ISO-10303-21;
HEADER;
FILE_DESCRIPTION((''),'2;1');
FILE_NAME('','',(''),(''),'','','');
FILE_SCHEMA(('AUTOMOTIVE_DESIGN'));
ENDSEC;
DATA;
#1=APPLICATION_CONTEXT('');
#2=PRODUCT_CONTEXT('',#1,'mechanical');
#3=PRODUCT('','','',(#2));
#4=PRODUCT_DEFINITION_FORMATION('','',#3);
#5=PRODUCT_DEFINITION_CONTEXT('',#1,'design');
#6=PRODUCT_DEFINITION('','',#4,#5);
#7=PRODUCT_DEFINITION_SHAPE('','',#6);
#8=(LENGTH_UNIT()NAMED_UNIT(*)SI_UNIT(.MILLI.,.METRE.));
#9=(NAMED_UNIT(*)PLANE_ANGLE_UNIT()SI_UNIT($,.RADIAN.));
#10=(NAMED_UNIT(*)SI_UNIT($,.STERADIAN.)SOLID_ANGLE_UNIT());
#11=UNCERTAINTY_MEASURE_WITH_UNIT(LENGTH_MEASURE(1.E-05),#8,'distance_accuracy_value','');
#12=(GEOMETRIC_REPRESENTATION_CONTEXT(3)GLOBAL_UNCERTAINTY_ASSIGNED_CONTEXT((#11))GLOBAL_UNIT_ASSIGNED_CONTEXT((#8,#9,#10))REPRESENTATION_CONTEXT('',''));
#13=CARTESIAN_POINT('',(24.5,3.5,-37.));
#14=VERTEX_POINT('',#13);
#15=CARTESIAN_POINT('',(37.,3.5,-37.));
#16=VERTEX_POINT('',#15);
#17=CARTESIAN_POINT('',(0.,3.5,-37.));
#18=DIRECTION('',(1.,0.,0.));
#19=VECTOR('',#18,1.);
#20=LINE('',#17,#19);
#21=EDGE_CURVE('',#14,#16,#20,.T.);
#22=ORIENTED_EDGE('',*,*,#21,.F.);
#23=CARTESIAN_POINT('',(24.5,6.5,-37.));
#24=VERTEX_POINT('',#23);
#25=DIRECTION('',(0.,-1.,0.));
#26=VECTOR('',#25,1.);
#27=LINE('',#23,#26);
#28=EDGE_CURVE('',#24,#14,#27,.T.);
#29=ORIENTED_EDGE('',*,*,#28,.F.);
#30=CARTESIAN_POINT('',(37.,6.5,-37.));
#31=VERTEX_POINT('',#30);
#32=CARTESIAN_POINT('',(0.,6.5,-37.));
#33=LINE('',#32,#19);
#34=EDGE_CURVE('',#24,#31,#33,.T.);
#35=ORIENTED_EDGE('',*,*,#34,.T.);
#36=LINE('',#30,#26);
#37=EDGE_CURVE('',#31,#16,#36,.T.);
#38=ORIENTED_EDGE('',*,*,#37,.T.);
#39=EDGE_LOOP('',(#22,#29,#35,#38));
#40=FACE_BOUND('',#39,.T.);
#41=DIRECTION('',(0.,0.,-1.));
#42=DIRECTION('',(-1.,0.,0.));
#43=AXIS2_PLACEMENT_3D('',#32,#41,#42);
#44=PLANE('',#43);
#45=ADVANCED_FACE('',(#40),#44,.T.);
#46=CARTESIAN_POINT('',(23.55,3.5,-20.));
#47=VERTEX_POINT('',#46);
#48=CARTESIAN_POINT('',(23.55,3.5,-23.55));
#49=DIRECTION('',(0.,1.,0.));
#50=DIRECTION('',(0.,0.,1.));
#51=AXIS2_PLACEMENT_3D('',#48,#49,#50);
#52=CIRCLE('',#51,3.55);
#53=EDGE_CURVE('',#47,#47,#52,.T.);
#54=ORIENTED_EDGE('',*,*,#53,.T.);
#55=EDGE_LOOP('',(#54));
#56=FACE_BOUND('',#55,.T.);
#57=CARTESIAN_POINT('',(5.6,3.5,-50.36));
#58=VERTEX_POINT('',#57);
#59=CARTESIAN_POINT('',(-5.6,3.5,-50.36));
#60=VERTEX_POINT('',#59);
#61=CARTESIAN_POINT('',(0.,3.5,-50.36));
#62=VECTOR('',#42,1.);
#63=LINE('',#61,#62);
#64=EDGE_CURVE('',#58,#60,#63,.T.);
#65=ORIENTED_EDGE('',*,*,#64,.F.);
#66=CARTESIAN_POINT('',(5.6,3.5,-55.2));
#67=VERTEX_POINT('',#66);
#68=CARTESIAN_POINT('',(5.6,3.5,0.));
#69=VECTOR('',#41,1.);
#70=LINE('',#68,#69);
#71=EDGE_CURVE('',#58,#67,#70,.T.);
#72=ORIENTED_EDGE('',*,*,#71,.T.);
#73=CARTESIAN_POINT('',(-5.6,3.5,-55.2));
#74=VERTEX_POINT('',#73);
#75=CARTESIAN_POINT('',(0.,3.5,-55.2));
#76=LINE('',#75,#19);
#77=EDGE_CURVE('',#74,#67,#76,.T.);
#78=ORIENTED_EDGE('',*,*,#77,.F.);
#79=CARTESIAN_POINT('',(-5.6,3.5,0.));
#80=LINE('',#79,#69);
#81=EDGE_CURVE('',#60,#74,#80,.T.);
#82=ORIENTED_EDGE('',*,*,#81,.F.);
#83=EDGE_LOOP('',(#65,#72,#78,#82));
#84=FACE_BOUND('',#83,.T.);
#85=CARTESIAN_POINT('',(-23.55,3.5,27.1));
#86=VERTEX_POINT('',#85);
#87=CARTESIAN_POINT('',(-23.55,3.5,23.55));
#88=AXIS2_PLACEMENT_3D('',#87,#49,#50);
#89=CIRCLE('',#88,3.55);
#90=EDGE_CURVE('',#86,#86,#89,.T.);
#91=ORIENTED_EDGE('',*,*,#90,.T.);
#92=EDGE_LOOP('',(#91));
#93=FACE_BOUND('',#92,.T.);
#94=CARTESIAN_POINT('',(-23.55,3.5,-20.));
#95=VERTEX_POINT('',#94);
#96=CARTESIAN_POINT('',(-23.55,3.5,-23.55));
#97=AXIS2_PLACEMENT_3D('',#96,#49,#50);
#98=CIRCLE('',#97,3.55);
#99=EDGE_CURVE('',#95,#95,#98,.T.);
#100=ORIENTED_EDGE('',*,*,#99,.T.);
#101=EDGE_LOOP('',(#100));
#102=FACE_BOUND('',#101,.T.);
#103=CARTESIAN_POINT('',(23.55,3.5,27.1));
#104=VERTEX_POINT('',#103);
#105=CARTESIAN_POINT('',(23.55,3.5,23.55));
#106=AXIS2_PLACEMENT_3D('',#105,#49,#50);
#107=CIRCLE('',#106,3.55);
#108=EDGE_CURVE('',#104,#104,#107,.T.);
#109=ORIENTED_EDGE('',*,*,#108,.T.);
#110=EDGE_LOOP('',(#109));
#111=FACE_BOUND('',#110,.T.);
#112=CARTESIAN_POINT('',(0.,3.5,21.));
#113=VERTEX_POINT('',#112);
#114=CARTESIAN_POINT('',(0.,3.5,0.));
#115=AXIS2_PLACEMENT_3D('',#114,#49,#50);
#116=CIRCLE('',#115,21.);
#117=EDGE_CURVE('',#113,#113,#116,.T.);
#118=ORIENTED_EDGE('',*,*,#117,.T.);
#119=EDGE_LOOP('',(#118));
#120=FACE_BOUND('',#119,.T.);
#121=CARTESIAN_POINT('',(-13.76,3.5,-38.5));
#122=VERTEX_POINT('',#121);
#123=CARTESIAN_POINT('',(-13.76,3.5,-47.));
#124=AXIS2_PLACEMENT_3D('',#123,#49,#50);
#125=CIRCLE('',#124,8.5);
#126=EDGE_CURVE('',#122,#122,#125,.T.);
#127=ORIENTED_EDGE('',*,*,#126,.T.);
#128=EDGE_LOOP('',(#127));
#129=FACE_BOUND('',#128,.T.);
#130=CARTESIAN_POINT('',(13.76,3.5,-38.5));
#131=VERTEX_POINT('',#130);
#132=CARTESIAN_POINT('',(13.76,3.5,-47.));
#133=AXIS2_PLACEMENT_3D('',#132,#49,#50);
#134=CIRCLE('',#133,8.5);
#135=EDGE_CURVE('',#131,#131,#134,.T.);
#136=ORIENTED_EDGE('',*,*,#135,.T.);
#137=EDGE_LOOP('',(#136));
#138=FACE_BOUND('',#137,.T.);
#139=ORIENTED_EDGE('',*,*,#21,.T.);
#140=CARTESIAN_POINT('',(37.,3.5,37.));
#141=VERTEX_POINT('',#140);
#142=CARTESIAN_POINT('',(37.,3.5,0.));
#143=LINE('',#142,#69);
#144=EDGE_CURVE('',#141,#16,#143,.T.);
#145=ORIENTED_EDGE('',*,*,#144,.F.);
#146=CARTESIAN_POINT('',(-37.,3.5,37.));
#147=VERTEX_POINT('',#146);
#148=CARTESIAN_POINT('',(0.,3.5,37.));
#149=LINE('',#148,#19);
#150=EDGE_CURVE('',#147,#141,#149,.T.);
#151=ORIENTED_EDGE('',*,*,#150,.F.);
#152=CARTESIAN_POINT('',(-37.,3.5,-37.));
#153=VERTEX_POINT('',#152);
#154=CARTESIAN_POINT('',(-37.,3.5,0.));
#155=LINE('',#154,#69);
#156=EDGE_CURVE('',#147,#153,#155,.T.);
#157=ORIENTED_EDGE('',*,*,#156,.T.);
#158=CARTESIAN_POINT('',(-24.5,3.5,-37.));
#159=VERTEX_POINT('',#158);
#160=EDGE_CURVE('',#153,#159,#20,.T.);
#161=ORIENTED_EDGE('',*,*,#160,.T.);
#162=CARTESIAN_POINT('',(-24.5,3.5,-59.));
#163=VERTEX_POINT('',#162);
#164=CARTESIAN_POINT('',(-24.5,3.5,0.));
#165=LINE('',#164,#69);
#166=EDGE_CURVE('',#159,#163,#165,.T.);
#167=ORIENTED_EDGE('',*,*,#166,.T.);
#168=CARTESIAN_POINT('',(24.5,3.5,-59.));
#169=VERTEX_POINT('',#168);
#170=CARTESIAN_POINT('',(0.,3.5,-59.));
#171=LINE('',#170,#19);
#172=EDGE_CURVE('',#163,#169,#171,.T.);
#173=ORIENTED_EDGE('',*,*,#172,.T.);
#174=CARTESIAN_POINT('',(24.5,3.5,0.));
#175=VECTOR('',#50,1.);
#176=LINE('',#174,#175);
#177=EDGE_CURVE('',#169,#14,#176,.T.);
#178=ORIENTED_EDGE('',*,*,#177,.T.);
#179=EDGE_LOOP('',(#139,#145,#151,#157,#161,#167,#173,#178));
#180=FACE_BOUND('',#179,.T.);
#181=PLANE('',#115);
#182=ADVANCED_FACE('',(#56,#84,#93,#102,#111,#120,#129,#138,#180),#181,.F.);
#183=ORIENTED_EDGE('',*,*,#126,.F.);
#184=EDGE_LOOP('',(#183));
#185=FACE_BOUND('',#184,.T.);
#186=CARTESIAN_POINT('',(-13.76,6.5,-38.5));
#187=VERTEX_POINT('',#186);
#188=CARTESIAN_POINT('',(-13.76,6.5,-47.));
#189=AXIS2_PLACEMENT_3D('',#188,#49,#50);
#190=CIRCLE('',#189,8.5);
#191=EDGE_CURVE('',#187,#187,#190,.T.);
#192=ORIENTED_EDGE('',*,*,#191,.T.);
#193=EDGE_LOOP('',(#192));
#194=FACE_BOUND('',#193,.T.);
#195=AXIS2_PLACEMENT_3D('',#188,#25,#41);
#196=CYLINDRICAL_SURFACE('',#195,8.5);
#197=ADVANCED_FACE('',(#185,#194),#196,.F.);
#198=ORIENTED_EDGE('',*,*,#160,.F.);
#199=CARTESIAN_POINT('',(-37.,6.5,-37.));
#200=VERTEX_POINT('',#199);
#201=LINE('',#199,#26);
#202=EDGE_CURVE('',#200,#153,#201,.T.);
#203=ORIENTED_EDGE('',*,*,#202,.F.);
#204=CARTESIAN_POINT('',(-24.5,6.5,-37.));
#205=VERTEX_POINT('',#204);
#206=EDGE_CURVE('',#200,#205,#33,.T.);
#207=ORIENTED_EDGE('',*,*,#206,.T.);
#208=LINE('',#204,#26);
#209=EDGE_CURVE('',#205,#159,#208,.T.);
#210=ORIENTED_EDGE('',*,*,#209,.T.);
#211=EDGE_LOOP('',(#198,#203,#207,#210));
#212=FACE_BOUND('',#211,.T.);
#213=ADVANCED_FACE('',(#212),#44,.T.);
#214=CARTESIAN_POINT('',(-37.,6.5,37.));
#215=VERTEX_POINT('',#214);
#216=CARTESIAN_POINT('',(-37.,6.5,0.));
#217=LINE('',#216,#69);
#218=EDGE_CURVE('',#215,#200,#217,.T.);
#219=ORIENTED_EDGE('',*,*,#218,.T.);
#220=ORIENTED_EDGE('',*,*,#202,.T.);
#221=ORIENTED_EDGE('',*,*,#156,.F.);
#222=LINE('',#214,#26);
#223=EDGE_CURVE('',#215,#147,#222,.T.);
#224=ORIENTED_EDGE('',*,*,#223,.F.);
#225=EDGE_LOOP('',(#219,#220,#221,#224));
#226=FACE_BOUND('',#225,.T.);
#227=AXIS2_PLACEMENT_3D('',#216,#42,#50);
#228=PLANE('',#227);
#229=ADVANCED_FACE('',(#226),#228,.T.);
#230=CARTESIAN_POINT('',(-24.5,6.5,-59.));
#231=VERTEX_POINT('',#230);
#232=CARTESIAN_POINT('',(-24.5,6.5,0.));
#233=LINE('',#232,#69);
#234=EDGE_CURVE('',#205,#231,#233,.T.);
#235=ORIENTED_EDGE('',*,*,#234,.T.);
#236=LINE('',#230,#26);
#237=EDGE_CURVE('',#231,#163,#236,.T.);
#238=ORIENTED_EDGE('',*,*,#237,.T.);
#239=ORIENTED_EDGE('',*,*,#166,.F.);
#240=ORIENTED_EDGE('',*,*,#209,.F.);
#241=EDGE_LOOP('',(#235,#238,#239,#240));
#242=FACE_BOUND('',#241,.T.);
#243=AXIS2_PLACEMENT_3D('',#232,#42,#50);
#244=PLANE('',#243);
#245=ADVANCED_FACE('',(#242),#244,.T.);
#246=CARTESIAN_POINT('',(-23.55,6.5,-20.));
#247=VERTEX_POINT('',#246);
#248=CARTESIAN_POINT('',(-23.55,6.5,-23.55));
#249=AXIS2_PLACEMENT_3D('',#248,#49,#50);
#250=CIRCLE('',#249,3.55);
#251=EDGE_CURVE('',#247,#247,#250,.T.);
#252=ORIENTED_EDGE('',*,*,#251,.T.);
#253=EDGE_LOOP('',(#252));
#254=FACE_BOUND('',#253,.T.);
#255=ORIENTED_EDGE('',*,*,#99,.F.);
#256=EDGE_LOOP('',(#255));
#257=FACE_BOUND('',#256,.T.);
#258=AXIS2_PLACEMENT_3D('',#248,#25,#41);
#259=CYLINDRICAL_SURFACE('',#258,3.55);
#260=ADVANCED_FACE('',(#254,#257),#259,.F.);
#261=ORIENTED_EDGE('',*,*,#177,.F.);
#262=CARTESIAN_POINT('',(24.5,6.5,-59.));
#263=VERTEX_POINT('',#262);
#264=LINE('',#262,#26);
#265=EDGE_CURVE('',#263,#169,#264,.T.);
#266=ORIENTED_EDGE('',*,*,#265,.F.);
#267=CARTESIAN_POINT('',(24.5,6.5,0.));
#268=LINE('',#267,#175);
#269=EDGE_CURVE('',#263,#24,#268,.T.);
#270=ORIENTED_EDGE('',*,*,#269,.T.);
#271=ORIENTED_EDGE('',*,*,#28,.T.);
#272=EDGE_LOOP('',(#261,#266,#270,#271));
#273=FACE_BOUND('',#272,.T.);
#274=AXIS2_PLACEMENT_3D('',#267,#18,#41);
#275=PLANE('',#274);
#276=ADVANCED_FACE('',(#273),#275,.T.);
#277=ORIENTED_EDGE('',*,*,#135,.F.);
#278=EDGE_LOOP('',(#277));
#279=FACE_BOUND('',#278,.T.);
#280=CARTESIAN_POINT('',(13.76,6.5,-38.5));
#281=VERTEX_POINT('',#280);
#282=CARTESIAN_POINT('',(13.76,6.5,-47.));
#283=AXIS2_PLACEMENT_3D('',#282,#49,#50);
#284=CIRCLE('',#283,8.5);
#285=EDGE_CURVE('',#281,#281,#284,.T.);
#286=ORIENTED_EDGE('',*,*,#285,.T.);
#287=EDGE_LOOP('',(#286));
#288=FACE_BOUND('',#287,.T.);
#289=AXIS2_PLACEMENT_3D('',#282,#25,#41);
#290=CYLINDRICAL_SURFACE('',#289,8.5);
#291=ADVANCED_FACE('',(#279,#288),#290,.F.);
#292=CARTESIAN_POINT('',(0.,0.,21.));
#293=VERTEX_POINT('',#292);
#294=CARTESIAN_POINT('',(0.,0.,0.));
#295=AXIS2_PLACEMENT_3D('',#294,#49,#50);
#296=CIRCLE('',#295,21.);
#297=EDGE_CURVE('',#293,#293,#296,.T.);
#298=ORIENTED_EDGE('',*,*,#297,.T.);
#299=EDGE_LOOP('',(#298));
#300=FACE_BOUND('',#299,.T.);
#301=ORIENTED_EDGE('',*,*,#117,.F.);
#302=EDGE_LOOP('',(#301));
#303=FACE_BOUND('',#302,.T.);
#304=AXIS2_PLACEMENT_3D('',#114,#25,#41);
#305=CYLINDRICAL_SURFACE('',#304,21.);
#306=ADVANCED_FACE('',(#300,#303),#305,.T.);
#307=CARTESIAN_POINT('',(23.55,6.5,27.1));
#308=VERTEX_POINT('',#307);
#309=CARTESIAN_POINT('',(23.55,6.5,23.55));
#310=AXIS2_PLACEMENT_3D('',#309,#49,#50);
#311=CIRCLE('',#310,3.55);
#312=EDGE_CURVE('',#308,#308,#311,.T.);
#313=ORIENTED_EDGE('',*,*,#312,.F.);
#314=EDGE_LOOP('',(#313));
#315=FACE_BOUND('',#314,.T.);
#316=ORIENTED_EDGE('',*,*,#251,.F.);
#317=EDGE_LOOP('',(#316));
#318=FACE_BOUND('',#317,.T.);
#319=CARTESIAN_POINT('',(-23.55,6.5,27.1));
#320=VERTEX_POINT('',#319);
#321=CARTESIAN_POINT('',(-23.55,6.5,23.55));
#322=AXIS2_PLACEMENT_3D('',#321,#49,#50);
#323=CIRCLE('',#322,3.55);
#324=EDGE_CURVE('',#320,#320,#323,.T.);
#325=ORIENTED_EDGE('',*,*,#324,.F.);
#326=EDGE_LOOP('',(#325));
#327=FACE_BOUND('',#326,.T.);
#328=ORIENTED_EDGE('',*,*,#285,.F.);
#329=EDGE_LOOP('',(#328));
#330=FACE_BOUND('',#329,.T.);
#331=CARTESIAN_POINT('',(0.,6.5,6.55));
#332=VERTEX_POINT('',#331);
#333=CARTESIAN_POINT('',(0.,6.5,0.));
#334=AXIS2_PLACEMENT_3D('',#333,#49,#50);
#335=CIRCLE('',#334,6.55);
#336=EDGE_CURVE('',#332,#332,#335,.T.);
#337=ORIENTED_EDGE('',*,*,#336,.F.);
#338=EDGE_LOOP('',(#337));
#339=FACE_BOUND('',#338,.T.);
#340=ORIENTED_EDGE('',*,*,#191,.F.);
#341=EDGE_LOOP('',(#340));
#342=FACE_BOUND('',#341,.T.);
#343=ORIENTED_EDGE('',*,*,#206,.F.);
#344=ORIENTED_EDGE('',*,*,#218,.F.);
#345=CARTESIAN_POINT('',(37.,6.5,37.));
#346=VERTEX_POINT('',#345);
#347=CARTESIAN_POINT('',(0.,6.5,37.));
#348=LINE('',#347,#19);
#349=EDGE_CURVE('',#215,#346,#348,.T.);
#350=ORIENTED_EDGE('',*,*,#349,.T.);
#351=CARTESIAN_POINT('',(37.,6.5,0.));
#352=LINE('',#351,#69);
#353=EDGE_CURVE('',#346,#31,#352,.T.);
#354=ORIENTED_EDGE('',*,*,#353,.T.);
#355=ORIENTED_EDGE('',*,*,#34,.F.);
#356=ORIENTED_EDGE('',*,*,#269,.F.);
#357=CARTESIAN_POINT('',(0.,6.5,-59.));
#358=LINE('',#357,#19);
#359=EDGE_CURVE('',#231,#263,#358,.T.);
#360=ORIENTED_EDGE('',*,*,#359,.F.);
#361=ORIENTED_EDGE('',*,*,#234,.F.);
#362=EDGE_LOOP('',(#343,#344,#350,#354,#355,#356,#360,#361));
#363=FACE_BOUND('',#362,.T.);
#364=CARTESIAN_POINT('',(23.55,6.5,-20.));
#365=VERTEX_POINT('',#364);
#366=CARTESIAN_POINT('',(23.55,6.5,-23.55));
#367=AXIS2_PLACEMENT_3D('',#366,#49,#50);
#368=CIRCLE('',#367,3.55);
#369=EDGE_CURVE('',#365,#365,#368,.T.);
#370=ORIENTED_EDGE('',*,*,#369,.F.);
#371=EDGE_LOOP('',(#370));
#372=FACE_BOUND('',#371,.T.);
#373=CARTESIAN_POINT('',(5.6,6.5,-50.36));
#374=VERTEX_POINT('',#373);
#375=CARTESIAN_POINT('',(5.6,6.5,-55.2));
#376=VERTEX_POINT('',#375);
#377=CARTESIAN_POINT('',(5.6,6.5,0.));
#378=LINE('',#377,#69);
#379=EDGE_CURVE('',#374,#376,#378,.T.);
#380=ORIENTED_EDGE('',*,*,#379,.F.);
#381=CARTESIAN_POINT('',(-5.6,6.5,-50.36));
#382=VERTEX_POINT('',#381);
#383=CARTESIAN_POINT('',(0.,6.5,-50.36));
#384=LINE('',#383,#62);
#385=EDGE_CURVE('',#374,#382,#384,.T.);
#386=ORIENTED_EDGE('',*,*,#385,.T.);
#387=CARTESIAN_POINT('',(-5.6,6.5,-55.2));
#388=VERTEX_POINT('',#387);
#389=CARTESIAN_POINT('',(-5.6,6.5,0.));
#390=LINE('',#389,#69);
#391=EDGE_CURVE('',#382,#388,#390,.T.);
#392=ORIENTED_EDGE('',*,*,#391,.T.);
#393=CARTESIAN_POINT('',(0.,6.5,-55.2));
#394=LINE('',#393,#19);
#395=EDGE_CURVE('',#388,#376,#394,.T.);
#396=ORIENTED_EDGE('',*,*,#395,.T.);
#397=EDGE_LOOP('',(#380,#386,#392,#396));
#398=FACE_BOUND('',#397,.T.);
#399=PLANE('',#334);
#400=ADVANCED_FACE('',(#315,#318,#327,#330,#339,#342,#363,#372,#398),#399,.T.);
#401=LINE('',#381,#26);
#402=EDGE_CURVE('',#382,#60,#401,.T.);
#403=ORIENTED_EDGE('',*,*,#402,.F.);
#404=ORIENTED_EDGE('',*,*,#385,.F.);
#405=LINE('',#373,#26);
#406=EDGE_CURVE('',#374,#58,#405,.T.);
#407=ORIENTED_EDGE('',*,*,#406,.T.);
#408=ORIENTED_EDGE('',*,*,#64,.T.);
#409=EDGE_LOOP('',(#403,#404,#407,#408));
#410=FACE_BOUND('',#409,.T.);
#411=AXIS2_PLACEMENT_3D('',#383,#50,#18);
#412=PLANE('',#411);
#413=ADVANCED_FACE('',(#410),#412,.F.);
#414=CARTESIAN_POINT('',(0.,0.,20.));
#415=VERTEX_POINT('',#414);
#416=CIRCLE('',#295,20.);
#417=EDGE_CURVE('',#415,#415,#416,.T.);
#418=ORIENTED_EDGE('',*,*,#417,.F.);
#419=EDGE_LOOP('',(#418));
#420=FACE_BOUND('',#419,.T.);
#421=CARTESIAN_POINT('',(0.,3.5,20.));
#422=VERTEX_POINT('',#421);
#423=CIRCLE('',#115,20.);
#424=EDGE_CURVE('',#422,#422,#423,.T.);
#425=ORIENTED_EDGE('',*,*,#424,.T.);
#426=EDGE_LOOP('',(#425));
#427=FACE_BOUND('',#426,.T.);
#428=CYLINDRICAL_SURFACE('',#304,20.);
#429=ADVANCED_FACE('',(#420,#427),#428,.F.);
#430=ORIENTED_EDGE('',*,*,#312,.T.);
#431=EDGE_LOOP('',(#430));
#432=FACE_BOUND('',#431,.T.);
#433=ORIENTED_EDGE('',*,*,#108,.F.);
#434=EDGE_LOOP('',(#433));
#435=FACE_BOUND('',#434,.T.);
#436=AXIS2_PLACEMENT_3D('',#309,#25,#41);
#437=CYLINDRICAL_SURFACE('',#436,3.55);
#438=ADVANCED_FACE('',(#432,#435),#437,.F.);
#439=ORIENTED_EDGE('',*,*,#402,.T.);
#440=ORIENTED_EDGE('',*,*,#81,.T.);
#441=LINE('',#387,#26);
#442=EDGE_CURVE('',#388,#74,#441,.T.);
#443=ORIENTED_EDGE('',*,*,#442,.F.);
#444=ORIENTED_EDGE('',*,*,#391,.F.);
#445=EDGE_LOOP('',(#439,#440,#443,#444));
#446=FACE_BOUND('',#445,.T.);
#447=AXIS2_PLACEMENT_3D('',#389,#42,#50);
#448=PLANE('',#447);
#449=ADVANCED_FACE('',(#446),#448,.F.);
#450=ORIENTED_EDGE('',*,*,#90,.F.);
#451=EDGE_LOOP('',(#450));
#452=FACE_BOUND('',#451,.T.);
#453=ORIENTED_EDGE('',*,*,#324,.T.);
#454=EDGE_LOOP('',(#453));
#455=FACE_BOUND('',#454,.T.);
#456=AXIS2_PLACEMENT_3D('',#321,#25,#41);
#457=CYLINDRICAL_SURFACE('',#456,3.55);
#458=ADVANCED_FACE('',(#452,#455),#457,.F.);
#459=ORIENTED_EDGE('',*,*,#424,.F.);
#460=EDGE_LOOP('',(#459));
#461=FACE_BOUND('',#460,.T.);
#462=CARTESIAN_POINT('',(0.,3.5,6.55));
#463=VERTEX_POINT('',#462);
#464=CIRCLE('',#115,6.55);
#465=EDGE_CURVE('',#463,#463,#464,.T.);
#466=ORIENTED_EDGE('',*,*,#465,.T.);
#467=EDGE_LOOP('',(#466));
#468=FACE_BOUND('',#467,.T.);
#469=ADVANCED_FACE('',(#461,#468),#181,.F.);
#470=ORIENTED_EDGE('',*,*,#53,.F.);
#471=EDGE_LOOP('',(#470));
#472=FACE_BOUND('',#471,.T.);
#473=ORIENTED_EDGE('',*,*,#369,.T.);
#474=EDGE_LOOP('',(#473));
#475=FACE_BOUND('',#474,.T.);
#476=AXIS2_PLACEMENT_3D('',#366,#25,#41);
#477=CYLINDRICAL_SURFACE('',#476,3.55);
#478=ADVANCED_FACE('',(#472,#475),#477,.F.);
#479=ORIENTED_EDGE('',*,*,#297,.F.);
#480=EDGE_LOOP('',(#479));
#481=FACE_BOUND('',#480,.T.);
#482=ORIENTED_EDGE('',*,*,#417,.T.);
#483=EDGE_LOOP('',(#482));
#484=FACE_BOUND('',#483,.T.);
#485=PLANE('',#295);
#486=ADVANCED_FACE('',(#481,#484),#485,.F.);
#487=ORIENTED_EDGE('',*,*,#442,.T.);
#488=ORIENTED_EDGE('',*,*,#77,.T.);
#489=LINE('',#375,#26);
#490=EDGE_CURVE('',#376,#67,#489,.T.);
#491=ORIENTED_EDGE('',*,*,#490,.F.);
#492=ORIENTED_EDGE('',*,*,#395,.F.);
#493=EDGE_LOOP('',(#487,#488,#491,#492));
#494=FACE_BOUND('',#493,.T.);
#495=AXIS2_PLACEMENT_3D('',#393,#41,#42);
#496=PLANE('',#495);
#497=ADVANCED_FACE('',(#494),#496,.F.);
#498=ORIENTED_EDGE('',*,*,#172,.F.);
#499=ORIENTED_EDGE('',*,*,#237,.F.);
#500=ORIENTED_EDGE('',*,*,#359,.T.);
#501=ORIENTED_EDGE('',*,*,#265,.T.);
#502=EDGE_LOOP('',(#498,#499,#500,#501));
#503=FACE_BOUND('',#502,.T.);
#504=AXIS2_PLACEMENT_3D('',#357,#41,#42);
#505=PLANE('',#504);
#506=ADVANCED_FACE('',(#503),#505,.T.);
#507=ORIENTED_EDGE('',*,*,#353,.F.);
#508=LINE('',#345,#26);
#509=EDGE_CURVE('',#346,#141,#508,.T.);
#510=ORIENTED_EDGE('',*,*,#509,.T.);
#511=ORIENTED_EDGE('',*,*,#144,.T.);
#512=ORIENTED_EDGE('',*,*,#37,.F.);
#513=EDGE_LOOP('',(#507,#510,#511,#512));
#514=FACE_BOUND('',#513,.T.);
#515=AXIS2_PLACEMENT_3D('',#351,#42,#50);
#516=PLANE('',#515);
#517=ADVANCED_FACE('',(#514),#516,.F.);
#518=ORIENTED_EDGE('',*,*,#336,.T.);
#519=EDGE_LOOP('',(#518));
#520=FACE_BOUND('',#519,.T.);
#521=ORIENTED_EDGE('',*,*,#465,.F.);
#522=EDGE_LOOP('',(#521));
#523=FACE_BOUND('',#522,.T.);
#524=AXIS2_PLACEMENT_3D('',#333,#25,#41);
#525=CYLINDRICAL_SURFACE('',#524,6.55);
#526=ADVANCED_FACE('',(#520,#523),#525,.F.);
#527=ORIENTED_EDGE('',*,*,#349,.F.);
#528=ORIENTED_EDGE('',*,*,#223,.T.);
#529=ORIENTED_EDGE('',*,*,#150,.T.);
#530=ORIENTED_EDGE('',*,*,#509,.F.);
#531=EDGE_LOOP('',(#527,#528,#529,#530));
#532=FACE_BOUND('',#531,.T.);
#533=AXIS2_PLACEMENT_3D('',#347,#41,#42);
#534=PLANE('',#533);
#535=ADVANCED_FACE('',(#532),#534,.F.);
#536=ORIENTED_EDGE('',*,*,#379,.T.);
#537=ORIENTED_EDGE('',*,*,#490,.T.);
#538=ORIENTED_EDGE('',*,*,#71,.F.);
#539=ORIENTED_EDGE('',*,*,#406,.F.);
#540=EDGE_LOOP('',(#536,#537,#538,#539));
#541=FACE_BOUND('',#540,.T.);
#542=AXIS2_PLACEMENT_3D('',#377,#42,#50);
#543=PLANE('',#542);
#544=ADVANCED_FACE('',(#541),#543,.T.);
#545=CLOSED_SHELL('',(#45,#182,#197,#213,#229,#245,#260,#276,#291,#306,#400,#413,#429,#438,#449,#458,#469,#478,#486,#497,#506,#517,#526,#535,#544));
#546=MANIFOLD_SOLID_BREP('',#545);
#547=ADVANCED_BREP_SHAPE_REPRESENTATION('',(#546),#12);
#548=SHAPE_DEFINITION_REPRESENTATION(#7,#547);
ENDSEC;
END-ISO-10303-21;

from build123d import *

# Parameters (mm, degrees)
SKETCH1_R           = 21
SKETCH1_R_2         = 20
BOSS_EXTRUDE1_DEPTH = 3.5
SKETCH2_R           = 3.55
SKETCH2_R_2         = 6.55
SKETCH2_R_3         = 8.5
SKETCH2_W           = 11.2
SKETCH2_H           = 4.84
BOSS_EXTRUDE2_DEPTH = 3


with BuildPart() as part:
    # Sketch1 → Boss-Extrude1 (new body)
    with BuildSketch(Plane(origin=(0, 0, 0), x_dir=(1, 0, 0), z_dir=(0, 1, 0))):
        Circle(SKETCH1_R)
        Circle(SKETCH1_R_2, mode=Mode.SUBTRACT)
    extrude(amount=BOSS_EXTRUDE1_DEPTH)

    # Sketch2 → Boss-Extrude2 (add)
    with BuildSketch(Plane(origin=(0, 3.5, 0), x_dir=(1, 0, 0), z_dir=(0, 1, 0))):
        Polygon((-37, 37), (-37, -37), (37, -37), (37, 37), (24.5, 37), (24.5, 59), (-24.5, 59), (-24.5, 37), align=None)
        with Locations((-23.55, -23.55)):
            Circle(SKETCH2_R, mode=Mode.SUBTRACT)
        Circle(SKETCH2_R_2, mode=Mode.SUBTRACT)
        with Locations((23.55, -23.55)):
            Circle(SKETCH2_R, mode=Mode.SUBTRACT)
        with Locations((-23.55, 23.55)):
            Circle(SKETCH2_R, mode=Mode.SUBTRACT)
        with Locations((23.55, 23.55)):
            Circle(SKETCH2_R, mode=Mode.SUBTRACT)
        with Locations((13.76, 47)):
            Circle(SKETCH2_R_3, mode=Mode.SUBTRACT)
        with Locations((-13.76, 47)):
            Circle(SKETCH2_R_3, mode=Mode.SUBTRACT)
        with Locations((0, 52.78)):
            Rectangle(SKETCH2_W, SKETCH2_H, mode=Mode.SUBTRACT)
    extrude(amount=BOSS_EXTRUDE2_DEPTH)


solid = part.part
